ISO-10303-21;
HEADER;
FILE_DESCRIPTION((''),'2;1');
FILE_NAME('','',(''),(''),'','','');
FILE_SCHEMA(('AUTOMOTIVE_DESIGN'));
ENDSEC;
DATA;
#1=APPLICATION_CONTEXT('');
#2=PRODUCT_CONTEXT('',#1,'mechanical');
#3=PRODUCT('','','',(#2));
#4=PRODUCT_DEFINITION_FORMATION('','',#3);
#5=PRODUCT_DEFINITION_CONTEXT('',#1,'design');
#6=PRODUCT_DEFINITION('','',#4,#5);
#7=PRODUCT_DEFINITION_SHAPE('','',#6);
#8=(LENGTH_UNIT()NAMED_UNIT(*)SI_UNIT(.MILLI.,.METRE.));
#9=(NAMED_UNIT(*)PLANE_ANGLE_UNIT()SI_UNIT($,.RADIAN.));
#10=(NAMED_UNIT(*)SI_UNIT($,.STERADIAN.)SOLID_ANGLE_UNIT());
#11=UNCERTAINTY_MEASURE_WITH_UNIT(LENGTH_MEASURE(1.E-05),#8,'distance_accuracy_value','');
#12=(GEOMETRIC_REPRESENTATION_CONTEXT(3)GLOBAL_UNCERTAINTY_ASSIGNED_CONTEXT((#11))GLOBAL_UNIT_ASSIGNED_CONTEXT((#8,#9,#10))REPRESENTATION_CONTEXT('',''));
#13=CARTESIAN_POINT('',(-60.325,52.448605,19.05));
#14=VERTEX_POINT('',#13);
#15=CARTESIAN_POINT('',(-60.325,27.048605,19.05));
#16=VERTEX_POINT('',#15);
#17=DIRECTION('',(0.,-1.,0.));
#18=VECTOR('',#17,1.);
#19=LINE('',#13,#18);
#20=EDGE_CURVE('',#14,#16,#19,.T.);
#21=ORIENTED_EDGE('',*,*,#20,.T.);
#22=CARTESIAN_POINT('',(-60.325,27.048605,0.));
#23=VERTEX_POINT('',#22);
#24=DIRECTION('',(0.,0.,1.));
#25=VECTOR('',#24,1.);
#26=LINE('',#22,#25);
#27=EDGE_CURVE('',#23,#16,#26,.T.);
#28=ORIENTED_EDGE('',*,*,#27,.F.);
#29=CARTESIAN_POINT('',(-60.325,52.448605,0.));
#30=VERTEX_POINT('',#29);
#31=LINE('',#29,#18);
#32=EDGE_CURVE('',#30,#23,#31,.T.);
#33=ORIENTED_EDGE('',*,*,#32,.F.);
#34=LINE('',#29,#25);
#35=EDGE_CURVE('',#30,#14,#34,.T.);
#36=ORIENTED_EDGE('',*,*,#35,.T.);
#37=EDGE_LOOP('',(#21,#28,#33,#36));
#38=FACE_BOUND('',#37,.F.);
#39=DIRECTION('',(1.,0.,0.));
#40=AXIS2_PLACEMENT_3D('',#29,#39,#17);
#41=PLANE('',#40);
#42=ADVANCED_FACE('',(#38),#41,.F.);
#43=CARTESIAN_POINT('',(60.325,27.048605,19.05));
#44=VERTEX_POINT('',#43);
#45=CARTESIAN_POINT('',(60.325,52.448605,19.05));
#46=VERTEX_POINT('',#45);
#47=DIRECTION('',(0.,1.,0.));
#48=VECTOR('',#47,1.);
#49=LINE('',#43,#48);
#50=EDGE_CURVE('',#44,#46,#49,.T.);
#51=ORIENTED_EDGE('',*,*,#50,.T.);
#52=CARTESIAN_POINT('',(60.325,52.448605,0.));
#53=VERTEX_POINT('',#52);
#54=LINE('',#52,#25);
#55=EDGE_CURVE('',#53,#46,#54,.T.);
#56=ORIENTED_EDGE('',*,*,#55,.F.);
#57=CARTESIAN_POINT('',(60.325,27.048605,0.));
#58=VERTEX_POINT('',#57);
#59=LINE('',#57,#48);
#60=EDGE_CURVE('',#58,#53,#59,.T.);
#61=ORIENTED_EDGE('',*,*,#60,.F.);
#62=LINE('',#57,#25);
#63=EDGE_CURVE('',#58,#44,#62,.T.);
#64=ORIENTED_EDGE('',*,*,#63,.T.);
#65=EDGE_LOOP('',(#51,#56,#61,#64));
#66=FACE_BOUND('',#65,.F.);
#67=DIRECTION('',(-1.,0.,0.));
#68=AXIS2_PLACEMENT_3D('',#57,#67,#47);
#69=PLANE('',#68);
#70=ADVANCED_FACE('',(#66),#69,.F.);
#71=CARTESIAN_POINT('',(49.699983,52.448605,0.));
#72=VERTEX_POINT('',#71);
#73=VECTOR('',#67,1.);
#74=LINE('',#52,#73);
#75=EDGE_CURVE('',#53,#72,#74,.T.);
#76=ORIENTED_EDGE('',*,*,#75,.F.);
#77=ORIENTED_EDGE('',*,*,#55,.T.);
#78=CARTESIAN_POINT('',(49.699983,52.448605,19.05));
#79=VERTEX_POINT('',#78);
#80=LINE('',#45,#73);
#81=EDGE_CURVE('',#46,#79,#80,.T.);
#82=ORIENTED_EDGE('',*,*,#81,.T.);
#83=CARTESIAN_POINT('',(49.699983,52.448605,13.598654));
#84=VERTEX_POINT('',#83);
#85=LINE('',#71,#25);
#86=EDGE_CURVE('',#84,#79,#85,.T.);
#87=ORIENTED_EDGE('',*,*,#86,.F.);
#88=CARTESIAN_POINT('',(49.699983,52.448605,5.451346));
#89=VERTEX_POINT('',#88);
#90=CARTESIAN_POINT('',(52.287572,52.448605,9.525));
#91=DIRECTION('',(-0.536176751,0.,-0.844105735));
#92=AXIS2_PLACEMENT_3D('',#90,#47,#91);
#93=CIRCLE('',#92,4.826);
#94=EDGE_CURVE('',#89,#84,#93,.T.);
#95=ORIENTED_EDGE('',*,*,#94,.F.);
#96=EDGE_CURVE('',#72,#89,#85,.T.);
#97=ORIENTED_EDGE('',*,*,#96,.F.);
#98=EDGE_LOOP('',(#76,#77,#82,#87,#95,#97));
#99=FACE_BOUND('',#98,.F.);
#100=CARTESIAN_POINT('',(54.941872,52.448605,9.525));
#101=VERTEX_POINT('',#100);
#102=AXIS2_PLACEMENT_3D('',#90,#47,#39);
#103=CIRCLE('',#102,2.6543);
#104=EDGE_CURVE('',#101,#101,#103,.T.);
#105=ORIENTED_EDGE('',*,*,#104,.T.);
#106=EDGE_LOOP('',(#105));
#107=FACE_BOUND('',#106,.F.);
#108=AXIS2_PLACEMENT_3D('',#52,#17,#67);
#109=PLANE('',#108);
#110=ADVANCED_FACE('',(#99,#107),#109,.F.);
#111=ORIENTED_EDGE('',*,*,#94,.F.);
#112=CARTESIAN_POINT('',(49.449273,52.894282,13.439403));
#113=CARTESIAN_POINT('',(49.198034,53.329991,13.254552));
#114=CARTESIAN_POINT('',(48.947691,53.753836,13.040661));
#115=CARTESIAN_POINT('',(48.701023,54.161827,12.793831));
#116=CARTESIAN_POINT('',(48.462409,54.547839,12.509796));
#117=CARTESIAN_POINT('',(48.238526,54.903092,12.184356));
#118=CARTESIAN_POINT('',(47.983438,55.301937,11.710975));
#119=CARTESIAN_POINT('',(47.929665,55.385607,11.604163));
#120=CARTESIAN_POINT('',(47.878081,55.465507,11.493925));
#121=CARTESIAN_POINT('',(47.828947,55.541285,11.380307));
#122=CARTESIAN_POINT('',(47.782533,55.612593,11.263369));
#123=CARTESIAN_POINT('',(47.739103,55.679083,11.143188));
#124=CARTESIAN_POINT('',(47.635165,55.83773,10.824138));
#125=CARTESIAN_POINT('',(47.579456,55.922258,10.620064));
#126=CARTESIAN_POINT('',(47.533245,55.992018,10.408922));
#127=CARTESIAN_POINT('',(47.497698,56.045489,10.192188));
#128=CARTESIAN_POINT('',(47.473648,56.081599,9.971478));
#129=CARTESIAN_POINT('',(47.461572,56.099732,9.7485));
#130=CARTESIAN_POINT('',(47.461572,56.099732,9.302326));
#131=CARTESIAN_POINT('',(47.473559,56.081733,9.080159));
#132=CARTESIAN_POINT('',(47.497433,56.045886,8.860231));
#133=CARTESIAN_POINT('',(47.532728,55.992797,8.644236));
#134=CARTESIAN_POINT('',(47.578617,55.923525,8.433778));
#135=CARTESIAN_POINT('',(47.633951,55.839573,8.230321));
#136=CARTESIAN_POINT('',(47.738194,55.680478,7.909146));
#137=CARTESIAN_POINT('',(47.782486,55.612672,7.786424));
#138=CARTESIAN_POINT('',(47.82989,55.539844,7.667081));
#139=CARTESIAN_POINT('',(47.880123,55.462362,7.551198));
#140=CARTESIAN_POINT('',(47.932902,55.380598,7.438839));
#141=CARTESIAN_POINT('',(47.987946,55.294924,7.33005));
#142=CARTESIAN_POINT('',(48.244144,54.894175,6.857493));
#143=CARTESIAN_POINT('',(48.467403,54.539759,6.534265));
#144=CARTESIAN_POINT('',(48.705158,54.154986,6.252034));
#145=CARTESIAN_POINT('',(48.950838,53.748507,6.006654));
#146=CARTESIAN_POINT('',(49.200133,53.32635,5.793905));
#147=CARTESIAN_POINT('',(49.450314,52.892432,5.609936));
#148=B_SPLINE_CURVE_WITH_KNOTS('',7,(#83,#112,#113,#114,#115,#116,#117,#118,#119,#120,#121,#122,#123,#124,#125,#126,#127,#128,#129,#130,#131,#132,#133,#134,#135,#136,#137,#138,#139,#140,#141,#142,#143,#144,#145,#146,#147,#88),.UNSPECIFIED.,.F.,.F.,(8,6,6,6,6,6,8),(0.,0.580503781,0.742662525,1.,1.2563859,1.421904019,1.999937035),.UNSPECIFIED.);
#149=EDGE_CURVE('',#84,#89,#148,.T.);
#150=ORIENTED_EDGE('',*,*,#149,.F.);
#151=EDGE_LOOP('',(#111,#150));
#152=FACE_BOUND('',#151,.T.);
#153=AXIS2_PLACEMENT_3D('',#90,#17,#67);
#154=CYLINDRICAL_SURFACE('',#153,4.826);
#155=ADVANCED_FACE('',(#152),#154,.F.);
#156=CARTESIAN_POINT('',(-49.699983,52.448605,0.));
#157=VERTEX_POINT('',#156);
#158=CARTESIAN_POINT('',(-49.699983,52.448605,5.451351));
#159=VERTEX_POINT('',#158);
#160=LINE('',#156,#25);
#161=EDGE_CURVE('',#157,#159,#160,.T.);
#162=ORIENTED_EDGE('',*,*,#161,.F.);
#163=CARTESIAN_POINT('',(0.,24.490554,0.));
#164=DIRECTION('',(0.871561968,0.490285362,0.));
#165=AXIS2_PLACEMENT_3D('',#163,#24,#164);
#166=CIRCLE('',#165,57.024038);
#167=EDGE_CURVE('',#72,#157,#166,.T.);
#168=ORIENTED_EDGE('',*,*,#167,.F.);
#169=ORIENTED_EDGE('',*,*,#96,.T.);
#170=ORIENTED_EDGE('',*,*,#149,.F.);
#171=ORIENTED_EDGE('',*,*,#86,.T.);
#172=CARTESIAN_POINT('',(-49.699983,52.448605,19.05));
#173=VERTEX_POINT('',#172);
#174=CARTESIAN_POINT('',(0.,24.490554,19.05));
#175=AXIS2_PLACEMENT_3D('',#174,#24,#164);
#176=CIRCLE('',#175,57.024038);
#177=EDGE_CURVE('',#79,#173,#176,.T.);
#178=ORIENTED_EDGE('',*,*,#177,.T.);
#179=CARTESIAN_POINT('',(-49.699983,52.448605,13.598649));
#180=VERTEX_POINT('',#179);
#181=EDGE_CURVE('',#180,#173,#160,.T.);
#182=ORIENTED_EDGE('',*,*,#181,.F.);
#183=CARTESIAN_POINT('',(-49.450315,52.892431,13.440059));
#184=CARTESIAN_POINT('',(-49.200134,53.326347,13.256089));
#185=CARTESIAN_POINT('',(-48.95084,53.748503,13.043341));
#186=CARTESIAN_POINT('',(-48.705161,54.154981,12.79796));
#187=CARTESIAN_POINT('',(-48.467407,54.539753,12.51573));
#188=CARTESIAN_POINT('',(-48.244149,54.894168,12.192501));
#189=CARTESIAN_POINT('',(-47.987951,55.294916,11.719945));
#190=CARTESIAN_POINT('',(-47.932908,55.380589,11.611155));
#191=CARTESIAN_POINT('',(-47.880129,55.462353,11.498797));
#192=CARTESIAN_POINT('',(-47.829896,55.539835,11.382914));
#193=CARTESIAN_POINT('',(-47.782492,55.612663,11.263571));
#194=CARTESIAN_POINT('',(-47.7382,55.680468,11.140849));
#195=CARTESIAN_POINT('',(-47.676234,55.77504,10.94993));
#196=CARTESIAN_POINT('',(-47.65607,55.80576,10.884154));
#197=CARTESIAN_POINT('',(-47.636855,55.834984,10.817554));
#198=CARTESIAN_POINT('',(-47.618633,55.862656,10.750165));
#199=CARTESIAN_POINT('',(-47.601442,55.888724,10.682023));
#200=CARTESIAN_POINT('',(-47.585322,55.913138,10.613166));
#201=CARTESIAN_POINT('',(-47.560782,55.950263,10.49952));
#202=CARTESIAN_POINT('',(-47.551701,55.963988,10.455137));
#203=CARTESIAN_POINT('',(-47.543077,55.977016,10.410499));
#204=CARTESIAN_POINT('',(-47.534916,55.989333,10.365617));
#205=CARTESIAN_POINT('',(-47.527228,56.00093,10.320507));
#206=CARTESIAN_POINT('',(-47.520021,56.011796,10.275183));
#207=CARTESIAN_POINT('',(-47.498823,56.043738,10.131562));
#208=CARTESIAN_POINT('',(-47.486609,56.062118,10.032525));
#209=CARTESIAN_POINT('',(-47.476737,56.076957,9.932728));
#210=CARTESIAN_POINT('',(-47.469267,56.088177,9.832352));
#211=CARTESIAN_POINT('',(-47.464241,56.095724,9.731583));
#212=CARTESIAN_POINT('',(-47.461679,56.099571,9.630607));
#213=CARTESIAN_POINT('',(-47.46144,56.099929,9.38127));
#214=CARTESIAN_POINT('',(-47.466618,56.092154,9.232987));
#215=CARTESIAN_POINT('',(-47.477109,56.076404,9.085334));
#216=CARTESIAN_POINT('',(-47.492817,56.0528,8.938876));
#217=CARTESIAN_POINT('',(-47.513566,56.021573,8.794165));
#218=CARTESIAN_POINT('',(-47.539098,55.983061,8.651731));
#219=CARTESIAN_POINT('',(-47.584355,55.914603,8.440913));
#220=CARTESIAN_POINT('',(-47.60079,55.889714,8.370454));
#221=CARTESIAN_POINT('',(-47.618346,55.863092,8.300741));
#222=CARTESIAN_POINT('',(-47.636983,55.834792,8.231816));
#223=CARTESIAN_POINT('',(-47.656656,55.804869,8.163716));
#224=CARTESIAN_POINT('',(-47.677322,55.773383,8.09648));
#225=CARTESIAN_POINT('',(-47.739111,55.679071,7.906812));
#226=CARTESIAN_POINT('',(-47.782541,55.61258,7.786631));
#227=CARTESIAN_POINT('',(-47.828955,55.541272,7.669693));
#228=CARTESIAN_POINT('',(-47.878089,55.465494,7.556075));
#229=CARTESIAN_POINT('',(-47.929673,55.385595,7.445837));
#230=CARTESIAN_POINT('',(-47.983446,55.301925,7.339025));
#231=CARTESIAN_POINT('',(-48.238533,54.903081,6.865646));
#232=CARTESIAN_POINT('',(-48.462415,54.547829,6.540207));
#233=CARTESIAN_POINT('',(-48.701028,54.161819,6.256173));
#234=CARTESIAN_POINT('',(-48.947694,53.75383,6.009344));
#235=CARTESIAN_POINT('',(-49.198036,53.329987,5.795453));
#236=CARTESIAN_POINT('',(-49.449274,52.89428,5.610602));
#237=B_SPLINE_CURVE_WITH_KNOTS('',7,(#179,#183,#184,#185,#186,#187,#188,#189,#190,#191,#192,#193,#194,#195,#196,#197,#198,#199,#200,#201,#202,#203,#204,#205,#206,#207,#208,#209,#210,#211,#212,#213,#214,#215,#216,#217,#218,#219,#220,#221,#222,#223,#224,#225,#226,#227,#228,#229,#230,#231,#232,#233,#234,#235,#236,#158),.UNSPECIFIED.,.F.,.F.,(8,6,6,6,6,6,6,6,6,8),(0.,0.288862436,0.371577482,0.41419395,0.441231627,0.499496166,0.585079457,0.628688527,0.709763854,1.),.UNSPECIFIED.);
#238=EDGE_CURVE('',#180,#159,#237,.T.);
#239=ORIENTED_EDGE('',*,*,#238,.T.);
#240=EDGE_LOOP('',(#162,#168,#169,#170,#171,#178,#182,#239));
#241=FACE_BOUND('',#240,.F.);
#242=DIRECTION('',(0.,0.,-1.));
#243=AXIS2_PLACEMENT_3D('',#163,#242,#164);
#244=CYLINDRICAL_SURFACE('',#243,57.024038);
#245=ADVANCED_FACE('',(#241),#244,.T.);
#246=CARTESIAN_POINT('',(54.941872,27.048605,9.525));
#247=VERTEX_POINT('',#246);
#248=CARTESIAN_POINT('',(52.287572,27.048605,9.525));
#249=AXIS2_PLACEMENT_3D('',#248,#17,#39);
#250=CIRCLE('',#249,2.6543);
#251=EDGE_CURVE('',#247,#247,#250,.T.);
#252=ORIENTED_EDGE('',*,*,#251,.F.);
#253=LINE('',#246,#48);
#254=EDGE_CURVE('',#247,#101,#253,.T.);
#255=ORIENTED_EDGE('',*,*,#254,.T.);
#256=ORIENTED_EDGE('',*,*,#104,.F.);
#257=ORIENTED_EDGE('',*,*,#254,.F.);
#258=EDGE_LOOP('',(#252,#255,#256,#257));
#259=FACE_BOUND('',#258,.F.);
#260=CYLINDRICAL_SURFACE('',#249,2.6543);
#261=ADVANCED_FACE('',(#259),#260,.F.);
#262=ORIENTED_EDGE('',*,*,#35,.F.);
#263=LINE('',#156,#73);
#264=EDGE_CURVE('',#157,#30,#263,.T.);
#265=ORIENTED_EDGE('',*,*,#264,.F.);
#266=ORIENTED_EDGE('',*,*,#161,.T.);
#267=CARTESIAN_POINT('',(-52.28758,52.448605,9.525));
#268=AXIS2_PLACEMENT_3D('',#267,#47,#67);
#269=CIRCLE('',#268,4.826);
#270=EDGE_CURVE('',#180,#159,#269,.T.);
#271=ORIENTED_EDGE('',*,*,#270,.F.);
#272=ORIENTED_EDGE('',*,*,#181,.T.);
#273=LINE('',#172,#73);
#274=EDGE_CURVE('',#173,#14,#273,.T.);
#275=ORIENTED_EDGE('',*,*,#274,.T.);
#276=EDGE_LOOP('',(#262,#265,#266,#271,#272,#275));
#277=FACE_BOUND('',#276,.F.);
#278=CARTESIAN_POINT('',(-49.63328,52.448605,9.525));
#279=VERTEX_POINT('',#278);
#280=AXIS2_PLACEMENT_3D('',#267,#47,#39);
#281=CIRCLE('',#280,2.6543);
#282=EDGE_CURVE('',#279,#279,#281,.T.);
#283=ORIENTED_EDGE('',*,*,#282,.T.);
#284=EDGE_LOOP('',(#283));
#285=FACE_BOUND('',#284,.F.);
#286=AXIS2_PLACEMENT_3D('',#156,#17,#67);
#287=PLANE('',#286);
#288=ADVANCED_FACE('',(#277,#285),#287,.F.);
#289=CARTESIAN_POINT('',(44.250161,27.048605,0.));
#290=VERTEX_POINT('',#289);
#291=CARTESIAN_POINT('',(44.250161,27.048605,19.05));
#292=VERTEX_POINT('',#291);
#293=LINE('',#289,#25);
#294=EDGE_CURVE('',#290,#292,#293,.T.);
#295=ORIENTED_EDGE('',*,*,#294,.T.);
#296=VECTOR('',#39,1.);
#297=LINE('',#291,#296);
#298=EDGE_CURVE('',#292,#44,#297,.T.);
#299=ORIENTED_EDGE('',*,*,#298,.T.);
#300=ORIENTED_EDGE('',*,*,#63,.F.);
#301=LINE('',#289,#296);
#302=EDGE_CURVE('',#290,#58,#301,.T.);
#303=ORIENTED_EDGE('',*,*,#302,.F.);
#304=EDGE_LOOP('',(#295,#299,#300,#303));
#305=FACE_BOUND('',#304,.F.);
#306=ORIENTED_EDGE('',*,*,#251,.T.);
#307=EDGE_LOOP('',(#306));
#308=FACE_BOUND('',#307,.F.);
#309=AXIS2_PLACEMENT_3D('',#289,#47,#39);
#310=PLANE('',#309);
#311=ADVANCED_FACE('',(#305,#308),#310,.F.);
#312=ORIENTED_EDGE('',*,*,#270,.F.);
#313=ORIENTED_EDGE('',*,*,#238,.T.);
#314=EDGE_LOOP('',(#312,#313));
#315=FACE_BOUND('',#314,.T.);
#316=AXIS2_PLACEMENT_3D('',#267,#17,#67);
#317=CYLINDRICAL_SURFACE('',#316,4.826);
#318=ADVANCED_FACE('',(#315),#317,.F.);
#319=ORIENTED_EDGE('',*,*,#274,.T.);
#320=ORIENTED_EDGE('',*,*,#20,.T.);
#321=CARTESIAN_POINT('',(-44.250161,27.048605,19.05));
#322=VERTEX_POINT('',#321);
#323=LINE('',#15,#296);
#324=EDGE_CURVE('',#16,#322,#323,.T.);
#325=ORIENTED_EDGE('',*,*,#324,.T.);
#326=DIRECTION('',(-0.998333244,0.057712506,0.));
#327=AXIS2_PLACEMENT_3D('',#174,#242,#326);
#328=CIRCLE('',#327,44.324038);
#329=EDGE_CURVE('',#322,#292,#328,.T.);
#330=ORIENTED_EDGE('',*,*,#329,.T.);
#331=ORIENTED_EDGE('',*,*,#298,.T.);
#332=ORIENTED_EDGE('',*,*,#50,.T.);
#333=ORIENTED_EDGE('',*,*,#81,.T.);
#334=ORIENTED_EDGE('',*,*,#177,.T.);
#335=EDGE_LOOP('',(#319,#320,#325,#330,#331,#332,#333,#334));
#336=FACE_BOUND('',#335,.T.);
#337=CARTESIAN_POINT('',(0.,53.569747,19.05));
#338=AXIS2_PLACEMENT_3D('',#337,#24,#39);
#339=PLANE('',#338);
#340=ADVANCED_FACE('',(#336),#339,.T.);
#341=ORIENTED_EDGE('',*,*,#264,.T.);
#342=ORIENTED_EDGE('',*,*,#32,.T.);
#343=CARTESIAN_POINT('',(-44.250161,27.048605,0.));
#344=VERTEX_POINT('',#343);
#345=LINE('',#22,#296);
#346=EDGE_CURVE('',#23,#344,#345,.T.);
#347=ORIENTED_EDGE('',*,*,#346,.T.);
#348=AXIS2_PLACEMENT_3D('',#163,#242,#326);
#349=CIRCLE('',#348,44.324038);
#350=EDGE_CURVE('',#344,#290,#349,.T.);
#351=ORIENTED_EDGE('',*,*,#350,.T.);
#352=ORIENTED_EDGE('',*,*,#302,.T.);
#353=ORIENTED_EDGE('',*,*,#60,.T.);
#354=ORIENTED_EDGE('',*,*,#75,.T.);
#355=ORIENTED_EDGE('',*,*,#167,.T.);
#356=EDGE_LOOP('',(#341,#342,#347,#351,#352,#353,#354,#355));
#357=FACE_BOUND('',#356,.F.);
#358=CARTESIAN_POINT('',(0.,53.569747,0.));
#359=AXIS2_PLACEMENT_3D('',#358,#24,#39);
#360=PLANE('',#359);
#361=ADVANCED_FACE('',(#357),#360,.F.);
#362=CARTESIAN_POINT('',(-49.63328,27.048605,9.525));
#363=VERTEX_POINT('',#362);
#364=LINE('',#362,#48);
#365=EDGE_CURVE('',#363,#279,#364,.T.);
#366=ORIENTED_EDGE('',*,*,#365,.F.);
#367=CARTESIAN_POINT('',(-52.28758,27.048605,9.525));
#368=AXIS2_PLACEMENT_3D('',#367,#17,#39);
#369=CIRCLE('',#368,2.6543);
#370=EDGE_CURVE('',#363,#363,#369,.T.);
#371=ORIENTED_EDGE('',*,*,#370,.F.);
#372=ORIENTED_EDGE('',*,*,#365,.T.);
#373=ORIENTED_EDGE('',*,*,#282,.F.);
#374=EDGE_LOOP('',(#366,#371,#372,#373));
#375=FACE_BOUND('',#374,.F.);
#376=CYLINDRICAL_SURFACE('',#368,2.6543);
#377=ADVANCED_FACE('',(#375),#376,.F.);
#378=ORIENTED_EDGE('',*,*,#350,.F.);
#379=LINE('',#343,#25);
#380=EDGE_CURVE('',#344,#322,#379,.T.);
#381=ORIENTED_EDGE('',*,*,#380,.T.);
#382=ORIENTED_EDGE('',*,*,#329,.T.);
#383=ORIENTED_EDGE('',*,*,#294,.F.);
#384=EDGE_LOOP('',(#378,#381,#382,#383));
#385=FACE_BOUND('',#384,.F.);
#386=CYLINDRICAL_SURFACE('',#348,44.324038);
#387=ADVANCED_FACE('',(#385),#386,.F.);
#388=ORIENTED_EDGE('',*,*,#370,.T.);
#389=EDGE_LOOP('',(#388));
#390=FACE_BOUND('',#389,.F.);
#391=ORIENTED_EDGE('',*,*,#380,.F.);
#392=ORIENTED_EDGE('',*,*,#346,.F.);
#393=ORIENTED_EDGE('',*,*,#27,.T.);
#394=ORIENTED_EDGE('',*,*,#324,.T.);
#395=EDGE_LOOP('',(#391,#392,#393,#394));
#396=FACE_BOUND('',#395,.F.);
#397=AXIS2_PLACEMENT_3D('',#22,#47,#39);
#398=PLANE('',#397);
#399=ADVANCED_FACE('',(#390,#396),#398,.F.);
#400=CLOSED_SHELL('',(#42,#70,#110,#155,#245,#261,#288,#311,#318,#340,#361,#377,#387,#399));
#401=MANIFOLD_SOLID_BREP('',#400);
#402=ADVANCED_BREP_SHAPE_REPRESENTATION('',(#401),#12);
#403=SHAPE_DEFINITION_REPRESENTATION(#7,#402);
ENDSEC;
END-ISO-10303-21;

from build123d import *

# Parameters (mm, degrees)
F1_DEPTH = 19.05
F2_R     = 2.6543
F3_DEPTH = 54.466987
F4_R     = 4.826
F5_DEPTH = 39.878


with BuildPart() as f1:
    # F0 (on Top) → F1 (new body)
    with BuildSketch(Plane.XY):
        with BuildLine():
            ThreePointArc((-44.250161, 27.048605), (0, 68.814592), (44.250161, 27.048605))
            Line((44.250161, 27.048605), (60.325, 27.048605))
            Line((60.325, 27.048605), (60.325, 52.448605))
            Line((60.325, 52.448605), (49.699983, 52.448605))
            ThreePointArc((49.699983, 52.448605), (0, 81.514592), (-49.699983, 52.448605))
            Line((-49.699983, 52.448605), (-60.325, 52.448605))
            Line((-60.325, 52.448605), (-60.325, 27.048605))
            Line((-60.325, 27.048605), (-44.250161, 27.048605))
        make_face()
    extrude(amount=F1_DEPTH)

    # F2 (on face) → F3 (cut, through all)
    with BuildSketch(Plane.XZ.offset(-27.048605)):
        with Locations((-52.28758, 9.525)):
            Circle(F2_R)
        with Locations((52.287572, 9.525)):
            Circle(F2_R)
    extrude(amount=-F3_DEPTH, mode=Mode.SUBTRACT)

    # F4 (on face) → F5 (cut)
    with BuildSketch(Plane(origin=(0, 52.448605, 0), x_dir=(-1, 0, 0), z_dir=(0, 1, 0))):
        with Locations((-52.287572, 9.525)):
            Circle(F4_R)
        with Locations((52.28758, 9.525)):
            Circle(F4_R)
        with Locations((-52.287572, 79.375)):
            Circle(F4_R)
        with Locations((52.28758, 79.375)):
            Circle(F4_R)
    extrude(amount=F5_DEPTH, mode=Mode.SUBTRACT)


solid = f1.part
